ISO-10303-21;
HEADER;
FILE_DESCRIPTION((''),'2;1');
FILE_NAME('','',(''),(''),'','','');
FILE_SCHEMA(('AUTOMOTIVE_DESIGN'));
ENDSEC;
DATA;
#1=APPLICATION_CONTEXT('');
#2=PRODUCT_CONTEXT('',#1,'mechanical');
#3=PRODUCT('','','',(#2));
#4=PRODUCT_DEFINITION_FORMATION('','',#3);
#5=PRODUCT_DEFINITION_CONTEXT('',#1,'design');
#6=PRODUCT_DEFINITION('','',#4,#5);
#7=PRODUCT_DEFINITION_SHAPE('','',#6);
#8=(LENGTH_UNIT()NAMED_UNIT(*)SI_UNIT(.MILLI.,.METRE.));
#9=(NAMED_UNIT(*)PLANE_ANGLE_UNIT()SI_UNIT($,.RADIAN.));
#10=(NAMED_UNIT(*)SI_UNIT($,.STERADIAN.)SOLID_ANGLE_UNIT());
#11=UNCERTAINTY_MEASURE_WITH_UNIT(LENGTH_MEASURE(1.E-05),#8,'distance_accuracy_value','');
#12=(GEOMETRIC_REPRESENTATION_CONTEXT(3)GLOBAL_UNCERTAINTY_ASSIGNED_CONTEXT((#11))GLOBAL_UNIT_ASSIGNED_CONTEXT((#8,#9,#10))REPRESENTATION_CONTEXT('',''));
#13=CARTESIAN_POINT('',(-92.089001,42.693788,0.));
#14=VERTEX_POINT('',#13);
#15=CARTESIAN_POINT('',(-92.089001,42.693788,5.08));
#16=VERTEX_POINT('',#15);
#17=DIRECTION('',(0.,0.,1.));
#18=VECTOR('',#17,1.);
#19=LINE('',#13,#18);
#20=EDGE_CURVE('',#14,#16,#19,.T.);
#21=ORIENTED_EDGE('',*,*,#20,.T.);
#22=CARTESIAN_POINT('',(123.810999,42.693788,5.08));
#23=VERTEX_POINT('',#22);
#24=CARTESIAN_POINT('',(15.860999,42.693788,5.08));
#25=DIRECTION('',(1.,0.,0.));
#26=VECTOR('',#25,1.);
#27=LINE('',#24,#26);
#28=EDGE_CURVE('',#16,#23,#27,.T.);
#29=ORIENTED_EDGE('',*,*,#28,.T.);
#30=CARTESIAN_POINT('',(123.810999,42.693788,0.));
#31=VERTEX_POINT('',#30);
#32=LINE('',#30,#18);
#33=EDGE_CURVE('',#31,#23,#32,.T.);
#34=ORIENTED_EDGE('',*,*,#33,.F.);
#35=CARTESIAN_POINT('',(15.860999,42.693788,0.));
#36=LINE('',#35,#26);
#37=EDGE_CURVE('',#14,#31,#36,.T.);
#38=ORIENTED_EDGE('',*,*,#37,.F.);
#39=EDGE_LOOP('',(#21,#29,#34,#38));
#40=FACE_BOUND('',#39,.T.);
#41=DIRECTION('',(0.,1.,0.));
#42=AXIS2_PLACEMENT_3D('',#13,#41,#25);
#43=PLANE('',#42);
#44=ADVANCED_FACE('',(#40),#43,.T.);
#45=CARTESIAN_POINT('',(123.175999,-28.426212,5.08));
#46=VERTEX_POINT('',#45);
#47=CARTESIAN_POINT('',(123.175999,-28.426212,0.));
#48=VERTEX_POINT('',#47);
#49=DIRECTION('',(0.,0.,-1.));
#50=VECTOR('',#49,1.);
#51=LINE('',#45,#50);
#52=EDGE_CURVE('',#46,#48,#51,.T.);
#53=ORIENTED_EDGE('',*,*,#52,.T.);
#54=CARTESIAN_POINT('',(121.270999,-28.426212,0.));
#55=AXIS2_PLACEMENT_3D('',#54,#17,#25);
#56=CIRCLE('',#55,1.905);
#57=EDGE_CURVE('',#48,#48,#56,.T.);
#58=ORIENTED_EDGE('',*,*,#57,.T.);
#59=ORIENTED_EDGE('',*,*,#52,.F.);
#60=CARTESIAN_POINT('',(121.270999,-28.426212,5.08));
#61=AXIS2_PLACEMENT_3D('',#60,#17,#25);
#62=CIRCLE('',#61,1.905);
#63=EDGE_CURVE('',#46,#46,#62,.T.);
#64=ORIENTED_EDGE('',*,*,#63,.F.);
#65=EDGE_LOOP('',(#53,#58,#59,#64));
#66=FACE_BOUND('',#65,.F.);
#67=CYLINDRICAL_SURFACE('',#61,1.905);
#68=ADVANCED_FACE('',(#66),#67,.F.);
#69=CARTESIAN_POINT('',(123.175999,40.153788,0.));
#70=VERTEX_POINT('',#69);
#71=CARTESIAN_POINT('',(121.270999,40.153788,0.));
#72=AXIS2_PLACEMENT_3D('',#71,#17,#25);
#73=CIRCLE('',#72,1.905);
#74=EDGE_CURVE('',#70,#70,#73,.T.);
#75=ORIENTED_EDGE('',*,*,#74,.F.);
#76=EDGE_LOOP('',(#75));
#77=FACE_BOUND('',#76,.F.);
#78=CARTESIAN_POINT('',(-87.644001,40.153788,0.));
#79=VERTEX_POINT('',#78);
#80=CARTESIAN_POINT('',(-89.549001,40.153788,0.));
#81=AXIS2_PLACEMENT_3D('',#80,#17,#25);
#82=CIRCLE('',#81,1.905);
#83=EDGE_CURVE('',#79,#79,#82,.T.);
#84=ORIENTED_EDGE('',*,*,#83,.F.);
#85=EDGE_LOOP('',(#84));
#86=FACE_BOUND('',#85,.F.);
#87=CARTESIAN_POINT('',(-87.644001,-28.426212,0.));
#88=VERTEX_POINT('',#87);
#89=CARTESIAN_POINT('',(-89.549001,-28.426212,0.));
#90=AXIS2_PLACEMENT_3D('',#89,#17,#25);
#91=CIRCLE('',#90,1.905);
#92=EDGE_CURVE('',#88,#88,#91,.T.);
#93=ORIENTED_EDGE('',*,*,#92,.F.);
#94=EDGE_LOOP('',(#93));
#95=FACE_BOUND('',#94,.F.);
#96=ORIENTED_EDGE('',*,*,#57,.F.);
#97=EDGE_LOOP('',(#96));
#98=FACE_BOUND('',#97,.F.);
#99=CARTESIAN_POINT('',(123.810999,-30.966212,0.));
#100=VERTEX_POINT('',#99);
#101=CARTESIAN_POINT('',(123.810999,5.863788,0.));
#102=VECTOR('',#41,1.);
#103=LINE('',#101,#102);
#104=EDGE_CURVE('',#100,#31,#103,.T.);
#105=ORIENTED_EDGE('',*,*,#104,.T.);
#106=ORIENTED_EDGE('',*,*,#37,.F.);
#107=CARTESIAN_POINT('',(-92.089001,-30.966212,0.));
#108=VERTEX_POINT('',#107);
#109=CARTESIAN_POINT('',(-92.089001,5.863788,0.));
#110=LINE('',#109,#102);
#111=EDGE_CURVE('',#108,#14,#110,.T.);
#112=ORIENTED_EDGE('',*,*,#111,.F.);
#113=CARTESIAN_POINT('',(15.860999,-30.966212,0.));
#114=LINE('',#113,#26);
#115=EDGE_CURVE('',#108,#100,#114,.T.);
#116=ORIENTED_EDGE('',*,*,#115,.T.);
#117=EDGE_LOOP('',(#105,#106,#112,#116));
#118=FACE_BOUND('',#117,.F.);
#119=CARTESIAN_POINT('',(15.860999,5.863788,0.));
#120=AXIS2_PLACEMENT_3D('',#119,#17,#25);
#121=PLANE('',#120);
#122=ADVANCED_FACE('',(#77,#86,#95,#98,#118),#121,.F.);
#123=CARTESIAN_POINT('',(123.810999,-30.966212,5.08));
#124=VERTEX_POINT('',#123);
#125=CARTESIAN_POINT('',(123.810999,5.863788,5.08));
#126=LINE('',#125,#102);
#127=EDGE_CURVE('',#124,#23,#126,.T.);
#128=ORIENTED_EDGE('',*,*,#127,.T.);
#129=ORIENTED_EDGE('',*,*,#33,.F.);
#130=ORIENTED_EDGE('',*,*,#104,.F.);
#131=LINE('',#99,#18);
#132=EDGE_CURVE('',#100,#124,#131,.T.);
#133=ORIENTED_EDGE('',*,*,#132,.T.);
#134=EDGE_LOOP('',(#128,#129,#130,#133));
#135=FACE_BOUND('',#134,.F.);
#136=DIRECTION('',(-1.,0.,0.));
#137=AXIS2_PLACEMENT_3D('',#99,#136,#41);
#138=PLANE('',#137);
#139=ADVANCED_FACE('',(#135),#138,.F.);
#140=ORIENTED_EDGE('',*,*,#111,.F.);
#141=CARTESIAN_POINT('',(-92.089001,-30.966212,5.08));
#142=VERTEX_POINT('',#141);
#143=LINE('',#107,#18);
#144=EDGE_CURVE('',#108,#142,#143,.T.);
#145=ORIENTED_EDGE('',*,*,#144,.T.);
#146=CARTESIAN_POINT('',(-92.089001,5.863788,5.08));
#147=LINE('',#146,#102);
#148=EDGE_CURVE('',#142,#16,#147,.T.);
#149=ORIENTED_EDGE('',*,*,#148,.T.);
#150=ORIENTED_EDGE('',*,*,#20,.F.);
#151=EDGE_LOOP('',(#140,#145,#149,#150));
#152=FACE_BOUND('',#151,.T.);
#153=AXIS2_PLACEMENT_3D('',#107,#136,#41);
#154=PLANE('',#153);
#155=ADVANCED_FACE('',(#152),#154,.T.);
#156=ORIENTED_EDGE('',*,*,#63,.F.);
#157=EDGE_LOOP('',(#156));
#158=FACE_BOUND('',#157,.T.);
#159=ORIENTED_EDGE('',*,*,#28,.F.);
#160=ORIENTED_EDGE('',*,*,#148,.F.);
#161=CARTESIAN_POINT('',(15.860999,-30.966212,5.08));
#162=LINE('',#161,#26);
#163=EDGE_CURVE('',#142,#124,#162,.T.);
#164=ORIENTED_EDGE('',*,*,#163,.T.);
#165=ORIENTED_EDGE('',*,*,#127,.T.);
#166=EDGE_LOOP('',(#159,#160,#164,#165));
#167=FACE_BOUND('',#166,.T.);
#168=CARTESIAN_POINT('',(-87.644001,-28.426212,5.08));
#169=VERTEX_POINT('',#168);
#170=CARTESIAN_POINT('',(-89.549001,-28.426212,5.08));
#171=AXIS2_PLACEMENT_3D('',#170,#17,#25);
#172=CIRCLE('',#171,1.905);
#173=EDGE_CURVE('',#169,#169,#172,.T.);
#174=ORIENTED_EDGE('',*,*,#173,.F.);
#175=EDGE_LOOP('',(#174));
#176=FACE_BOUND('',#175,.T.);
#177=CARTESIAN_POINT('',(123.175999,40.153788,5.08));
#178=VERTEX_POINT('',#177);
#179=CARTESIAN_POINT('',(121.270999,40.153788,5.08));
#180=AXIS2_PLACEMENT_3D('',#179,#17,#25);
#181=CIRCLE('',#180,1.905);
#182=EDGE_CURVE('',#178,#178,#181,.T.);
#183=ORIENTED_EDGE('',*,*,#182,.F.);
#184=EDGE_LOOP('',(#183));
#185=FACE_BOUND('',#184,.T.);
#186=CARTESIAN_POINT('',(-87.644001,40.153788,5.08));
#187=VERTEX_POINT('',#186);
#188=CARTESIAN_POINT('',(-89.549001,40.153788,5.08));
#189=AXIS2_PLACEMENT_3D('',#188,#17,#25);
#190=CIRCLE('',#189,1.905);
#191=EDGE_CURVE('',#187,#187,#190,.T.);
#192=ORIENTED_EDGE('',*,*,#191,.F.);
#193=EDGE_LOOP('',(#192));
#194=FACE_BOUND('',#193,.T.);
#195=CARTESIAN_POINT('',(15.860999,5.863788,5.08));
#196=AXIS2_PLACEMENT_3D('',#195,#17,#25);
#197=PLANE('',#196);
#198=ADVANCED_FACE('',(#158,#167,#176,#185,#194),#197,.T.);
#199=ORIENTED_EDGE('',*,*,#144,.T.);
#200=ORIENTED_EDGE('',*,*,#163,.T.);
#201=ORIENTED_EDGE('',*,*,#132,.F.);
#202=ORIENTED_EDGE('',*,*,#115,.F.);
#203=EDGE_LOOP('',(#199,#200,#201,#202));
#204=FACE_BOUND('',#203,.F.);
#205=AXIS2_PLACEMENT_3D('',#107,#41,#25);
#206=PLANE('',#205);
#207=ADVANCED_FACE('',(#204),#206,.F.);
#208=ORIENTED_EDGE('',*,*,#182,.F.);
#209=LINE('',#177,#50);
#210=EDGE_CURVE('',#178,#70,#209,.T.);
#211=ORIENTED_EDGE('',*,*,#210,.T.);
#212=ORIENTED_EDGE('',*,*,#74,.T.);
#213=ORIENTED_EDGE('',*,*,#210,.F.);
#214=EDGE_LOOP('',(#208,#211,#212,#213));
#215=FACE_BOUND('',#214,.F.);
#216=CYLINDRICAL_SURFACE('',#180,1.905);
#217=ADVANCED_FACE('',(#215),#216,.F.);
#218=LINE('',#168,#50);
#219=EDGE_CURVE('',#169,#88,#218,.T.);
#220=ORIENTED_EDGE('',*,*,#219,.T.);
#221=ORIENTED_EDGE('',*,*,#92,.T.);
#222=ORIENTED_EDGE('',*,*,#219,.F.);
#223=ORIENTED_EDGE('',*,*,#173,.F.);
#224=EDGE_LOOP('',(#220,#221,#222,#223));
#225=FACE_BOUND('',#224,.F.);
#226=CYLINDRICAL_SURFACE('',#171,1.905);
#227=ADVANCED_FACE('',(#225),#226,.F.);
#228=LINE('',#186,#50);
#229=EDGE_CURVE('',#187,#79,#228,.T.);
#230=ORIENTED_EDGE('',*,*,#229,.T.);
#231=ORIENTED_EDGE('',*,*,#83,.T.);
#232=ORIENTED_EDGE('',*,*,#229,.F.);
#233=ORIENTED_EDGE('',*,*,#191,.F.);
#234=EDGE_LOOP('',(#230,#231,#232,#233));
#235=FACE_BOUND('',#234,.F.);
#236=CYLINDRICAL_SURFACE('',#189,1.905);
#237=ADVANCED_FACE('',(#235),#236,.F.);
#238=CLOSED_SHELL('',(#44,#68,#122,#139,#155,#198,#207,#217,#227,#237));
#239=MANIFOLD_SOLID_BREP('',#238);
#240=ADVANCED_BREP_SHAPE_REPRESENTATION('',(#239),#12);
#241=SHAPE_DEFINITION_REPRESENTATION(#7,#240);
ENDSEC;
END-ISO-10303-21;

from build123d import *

# Parameters (mm, degrees)
F0_W     = 215.9
F0_H     = 73.66
F1_DEPTH = 5.08
F2_R     = 1.905
F3_DEPTH = 5.081


with BuildPart() as f1:
    # F0 (on Top) → F1 (new body)
    with BuildSketch(Plane.XY):
        with Locations((15.860999, 5.863788)):
            Rectangle(F0_W, F0_H)
    extrude(amount=F1_DEPTH)

    # F2 (on face) → F3 (cut, through all)
    with BuildSketch(Plane.XY.offset(5.08)):
        with Locations((-89.549001, 40.153788)):
            Circle(F2_R)
        with Locations((121.270999, 40.153788)):
            Circle(F2_R)
        with Locations((121.270999, -28.426212)):
            Circle(F2_R)
        with Locations((-89.549001, -28.426212)):
            Circle(F2_R)
    extrude(amount=-F3_DEPTH, mode=Mode.SUBTRACT)


solid = f1.part
